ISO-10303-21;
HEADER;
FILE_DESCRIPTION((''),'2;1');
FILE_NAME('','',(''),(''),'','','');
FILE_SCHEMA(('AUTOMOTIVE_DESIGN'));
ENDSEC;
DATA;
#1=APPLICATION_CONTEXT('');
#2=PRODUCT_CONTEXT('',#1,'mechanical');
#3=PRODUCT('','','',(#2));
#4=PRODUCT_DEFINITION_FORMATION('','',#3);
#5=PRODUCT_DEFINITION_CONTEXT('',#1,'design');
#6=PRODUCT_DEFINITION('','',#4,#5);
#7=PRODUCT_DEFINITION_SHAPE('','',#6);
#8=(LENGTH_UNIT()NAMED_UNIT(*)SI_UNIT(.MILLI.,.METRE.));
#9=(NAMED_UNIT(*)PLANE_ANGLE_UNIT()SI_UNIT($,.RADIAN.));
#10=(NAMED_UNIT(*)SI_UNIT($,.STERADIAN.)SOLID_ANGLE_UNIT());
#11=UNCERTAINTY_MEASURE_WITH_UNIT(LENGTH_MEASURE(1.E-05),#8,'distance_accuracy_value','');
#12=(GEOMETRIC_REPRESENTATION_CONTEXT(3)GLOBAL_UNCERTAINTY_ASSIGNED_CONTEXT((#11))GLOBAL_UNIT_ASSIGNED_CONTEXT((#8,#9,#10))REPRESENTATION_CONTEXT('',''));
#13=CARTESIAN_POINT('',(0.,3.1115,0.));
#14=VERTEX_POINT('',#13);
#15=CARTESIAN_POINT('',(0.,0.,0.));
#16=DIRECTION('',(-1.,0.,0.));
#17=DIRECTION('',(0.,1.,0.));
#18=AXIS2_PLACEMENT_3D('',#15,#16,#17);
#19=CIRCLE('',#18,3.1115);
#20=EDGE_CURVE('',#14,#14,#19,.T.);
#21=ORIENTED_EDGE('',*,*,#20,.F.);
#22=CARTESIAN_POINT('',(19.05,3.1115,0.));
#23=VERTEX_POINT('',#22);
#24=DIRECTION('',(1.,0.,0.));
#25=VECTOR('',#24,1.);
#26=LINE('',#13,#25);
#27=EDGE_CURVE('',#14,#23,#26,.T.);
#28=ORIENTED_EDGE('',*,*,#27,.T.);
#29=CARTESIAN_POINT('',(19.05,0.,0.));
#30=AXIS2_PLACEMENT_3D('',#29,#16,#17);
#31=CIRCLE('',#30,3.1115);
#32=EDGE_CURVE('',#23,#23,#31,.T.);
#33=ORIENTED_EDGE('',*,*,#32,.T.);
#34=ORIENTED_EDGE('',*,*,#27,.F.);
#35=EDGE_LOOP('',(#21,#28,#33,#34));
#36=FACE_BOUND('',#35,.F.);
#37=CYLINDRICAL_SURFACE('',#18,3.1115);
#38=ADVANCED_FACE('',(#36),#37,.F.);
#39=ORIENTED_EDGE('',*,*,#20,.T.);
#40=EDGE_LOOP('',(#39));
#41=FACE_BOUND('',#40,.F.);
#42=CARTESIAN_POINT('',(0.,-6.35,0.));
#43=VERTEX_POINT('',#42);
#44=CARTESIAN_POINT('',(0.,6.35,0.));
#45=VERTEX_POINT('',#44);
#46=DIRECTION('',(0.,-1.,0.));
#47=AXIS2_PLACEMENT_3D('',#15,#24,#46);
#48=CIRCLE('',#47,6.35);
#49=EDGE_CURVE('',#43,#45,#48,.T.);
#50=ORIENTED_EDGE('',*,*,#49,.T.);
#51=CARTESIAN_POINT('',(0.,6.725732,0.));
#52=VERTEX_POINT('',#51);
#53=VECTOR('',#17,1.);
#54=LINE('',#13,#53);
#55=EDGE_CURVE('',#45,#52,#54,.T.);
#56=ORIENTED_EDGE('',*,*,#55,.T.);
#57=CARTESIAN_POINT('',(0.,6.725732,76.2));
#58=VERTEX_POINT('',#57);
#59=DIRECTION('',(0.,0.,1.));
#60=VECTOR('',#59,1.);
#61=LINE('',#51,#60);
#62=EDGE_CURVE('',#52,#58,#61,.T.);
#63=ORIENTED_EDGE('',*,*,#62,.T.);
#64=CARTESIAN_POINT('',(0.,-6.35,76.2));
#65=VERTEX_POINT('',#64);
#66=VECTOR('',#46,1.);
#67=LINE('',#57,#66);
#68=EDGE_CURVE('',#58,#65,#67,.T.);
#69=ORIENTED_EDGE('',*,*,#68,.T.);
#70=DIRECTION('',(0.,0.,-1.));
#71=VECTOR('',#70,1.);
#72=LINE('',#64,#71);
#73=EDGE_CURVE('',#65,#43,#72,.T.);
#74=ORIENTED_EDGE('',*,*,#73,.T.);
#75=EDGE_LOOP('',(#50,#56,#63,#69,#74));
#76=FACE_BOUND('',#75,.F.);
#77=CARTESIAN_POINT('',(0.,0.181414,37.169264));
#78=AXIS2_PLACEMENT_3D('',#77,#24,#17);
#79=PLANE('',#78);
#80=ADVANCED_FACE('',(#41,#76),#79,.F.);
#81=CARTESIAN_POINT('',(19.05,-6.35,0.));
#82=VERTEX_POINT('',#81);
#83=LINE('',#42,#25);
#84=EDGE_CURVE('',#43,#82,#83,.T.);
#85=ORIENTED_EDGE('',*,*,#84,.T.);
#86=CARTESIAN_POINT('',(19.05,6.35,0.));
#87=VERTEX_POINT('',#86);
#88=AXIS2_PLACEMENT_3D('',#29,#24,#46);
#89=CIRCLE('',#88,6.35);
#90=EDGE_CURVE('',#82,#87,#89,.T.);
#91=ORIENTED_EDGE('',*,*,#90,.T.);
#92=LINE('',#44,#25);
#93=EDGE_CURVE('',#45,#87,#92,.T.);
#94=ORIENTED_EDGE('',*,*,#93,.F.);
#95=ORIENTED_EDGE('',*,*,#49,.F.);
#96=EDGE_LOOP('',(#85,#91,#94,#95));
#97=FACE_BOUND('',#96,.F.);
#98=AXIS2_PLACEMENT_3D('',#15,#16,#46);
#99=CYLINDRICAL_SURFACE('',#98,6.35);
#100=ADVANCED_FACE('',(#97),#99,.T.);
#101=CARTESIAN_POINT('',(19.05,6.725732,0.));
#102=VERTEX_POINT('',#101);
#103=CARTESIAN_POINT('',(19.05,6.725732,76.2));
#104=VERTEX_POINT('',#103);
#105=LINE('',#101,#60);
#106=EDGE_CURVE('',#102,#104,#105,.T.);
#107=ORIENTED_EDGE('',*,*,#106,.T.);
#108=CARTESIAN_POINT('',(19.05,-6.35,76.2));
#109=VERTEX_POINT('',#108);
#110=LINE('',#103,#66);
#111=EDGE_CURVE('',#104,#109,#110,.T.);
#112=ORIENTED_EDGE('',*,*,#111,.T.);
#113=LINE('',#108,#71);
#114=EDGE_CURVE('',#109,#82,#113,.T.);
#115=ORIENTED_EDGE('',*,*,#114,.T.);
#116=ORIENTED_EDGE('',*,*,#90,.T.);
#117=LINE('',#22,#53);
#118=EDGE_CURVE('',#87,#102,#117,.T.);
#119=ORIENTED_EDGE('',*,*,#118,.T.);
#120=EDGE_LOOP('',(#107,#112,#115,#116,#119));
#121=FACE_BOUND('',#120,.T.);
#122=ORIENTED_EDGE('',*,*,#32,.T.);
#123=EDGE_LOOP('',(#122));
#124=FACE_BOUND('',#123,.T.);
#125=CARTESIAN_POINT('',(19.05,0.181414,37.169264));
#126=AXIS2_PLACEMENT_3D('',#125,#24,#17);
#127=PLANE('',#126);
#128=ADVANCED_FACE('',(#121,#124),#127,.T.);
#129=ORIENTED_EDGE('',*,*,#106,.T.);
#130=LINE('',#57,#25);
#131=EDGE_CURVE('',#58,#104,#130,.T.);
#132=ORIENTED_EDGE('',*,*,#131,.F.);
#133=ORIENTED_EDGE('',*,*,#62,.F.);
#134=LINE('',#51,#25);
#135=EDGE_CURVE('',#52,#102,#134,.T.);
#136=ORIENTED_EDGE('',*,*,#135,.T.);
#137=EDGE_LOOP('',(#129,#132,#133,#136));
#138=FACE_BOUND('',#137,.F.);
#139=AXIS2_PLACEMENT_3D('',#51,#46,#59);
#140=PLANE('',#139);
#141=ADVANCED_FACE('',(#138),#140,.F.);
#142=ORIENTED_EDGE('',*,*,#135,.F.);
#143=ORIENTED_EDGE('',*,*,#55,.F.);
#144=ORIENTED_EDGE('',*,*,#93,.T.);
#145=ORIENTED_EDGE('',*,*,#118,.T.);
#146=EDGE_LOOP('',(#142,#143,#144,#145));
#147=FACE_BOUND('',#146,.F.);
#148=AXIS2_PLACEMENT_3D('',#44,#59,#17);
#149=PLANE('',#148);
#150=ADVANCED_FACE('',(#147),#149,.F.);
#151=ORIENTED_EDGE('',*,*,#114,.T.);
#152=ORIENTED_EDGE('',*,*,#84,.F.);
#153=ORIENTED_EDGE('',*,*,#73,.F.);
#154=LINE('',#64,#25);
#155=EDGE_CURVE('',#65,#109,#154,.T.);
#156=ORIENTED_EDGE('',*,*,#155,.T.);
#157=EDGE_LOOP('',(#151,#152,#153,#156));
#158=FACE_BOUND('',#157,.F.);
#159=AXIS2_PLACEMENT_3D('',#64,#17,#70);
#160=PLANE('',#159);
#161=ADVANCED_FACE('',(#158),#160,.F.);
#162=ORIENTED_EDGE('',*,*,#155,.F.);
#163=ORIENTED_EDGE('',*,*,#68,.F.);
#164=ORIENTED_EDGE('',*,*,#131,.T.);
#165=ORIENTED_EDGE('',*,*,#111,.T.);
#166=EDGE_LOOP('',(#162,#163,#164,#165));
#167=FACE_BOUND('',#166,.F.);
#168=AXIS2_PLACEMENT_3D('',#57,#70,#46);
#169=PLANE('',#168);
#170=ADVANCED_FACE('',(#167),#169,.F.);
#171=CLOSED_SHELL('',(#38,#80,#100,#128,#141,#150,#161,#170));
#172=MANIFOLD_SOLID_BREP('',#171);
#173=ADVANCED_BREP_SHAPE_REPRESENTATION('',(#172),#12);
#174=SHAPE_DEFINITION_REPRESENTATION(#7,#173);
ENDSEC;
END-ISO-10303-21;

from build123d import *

# Parameters (mm, degrees)
F1_DEPTH = 19.05


with BuildPart() as f1:
    # F0 (on Right) → F1 (new body)
    with BuildSketch(Plane.YZ):
        with BuildLine():
            ThreePointArc((-6.35, 0), (0, 6.35), (6.35, 0))
            Line((6.35, 0), (6.725732, 0))
            Line((6.725732, 0), (6.725732, 76.2))
            Line((6.725732, 76.2), (-6.35, 76.2))
            Line((-6.35, 76.2), (-6.35, 0))
        make_face()
        with BuildLine():
            Line((3.1115, 0), (6.35, 0))
            ThreePointArc((6.35, 0), (0, 6.35), (-6.35, 0))
            Line((-6.35, 0), (-3.1115, 0))
            ThreePointArc((-3.1115, 0), (0, 3.1115), (3.1115, 0))
        make_face()
        with BuildLine():
            ThreePointArc((-6.35, 0), (0, -6.35), (6.35, 0))
            Line((6.35, 0), (3.1115, 0))
            ThreePointArc((3.1115, 0), (0, -3.1115), (-3.1115, 0))
            Line((-3.1115, 0), (-6.35, 0))
        make_face()
    extrude(amount=F1_DEPTH)


solid = f1.part
